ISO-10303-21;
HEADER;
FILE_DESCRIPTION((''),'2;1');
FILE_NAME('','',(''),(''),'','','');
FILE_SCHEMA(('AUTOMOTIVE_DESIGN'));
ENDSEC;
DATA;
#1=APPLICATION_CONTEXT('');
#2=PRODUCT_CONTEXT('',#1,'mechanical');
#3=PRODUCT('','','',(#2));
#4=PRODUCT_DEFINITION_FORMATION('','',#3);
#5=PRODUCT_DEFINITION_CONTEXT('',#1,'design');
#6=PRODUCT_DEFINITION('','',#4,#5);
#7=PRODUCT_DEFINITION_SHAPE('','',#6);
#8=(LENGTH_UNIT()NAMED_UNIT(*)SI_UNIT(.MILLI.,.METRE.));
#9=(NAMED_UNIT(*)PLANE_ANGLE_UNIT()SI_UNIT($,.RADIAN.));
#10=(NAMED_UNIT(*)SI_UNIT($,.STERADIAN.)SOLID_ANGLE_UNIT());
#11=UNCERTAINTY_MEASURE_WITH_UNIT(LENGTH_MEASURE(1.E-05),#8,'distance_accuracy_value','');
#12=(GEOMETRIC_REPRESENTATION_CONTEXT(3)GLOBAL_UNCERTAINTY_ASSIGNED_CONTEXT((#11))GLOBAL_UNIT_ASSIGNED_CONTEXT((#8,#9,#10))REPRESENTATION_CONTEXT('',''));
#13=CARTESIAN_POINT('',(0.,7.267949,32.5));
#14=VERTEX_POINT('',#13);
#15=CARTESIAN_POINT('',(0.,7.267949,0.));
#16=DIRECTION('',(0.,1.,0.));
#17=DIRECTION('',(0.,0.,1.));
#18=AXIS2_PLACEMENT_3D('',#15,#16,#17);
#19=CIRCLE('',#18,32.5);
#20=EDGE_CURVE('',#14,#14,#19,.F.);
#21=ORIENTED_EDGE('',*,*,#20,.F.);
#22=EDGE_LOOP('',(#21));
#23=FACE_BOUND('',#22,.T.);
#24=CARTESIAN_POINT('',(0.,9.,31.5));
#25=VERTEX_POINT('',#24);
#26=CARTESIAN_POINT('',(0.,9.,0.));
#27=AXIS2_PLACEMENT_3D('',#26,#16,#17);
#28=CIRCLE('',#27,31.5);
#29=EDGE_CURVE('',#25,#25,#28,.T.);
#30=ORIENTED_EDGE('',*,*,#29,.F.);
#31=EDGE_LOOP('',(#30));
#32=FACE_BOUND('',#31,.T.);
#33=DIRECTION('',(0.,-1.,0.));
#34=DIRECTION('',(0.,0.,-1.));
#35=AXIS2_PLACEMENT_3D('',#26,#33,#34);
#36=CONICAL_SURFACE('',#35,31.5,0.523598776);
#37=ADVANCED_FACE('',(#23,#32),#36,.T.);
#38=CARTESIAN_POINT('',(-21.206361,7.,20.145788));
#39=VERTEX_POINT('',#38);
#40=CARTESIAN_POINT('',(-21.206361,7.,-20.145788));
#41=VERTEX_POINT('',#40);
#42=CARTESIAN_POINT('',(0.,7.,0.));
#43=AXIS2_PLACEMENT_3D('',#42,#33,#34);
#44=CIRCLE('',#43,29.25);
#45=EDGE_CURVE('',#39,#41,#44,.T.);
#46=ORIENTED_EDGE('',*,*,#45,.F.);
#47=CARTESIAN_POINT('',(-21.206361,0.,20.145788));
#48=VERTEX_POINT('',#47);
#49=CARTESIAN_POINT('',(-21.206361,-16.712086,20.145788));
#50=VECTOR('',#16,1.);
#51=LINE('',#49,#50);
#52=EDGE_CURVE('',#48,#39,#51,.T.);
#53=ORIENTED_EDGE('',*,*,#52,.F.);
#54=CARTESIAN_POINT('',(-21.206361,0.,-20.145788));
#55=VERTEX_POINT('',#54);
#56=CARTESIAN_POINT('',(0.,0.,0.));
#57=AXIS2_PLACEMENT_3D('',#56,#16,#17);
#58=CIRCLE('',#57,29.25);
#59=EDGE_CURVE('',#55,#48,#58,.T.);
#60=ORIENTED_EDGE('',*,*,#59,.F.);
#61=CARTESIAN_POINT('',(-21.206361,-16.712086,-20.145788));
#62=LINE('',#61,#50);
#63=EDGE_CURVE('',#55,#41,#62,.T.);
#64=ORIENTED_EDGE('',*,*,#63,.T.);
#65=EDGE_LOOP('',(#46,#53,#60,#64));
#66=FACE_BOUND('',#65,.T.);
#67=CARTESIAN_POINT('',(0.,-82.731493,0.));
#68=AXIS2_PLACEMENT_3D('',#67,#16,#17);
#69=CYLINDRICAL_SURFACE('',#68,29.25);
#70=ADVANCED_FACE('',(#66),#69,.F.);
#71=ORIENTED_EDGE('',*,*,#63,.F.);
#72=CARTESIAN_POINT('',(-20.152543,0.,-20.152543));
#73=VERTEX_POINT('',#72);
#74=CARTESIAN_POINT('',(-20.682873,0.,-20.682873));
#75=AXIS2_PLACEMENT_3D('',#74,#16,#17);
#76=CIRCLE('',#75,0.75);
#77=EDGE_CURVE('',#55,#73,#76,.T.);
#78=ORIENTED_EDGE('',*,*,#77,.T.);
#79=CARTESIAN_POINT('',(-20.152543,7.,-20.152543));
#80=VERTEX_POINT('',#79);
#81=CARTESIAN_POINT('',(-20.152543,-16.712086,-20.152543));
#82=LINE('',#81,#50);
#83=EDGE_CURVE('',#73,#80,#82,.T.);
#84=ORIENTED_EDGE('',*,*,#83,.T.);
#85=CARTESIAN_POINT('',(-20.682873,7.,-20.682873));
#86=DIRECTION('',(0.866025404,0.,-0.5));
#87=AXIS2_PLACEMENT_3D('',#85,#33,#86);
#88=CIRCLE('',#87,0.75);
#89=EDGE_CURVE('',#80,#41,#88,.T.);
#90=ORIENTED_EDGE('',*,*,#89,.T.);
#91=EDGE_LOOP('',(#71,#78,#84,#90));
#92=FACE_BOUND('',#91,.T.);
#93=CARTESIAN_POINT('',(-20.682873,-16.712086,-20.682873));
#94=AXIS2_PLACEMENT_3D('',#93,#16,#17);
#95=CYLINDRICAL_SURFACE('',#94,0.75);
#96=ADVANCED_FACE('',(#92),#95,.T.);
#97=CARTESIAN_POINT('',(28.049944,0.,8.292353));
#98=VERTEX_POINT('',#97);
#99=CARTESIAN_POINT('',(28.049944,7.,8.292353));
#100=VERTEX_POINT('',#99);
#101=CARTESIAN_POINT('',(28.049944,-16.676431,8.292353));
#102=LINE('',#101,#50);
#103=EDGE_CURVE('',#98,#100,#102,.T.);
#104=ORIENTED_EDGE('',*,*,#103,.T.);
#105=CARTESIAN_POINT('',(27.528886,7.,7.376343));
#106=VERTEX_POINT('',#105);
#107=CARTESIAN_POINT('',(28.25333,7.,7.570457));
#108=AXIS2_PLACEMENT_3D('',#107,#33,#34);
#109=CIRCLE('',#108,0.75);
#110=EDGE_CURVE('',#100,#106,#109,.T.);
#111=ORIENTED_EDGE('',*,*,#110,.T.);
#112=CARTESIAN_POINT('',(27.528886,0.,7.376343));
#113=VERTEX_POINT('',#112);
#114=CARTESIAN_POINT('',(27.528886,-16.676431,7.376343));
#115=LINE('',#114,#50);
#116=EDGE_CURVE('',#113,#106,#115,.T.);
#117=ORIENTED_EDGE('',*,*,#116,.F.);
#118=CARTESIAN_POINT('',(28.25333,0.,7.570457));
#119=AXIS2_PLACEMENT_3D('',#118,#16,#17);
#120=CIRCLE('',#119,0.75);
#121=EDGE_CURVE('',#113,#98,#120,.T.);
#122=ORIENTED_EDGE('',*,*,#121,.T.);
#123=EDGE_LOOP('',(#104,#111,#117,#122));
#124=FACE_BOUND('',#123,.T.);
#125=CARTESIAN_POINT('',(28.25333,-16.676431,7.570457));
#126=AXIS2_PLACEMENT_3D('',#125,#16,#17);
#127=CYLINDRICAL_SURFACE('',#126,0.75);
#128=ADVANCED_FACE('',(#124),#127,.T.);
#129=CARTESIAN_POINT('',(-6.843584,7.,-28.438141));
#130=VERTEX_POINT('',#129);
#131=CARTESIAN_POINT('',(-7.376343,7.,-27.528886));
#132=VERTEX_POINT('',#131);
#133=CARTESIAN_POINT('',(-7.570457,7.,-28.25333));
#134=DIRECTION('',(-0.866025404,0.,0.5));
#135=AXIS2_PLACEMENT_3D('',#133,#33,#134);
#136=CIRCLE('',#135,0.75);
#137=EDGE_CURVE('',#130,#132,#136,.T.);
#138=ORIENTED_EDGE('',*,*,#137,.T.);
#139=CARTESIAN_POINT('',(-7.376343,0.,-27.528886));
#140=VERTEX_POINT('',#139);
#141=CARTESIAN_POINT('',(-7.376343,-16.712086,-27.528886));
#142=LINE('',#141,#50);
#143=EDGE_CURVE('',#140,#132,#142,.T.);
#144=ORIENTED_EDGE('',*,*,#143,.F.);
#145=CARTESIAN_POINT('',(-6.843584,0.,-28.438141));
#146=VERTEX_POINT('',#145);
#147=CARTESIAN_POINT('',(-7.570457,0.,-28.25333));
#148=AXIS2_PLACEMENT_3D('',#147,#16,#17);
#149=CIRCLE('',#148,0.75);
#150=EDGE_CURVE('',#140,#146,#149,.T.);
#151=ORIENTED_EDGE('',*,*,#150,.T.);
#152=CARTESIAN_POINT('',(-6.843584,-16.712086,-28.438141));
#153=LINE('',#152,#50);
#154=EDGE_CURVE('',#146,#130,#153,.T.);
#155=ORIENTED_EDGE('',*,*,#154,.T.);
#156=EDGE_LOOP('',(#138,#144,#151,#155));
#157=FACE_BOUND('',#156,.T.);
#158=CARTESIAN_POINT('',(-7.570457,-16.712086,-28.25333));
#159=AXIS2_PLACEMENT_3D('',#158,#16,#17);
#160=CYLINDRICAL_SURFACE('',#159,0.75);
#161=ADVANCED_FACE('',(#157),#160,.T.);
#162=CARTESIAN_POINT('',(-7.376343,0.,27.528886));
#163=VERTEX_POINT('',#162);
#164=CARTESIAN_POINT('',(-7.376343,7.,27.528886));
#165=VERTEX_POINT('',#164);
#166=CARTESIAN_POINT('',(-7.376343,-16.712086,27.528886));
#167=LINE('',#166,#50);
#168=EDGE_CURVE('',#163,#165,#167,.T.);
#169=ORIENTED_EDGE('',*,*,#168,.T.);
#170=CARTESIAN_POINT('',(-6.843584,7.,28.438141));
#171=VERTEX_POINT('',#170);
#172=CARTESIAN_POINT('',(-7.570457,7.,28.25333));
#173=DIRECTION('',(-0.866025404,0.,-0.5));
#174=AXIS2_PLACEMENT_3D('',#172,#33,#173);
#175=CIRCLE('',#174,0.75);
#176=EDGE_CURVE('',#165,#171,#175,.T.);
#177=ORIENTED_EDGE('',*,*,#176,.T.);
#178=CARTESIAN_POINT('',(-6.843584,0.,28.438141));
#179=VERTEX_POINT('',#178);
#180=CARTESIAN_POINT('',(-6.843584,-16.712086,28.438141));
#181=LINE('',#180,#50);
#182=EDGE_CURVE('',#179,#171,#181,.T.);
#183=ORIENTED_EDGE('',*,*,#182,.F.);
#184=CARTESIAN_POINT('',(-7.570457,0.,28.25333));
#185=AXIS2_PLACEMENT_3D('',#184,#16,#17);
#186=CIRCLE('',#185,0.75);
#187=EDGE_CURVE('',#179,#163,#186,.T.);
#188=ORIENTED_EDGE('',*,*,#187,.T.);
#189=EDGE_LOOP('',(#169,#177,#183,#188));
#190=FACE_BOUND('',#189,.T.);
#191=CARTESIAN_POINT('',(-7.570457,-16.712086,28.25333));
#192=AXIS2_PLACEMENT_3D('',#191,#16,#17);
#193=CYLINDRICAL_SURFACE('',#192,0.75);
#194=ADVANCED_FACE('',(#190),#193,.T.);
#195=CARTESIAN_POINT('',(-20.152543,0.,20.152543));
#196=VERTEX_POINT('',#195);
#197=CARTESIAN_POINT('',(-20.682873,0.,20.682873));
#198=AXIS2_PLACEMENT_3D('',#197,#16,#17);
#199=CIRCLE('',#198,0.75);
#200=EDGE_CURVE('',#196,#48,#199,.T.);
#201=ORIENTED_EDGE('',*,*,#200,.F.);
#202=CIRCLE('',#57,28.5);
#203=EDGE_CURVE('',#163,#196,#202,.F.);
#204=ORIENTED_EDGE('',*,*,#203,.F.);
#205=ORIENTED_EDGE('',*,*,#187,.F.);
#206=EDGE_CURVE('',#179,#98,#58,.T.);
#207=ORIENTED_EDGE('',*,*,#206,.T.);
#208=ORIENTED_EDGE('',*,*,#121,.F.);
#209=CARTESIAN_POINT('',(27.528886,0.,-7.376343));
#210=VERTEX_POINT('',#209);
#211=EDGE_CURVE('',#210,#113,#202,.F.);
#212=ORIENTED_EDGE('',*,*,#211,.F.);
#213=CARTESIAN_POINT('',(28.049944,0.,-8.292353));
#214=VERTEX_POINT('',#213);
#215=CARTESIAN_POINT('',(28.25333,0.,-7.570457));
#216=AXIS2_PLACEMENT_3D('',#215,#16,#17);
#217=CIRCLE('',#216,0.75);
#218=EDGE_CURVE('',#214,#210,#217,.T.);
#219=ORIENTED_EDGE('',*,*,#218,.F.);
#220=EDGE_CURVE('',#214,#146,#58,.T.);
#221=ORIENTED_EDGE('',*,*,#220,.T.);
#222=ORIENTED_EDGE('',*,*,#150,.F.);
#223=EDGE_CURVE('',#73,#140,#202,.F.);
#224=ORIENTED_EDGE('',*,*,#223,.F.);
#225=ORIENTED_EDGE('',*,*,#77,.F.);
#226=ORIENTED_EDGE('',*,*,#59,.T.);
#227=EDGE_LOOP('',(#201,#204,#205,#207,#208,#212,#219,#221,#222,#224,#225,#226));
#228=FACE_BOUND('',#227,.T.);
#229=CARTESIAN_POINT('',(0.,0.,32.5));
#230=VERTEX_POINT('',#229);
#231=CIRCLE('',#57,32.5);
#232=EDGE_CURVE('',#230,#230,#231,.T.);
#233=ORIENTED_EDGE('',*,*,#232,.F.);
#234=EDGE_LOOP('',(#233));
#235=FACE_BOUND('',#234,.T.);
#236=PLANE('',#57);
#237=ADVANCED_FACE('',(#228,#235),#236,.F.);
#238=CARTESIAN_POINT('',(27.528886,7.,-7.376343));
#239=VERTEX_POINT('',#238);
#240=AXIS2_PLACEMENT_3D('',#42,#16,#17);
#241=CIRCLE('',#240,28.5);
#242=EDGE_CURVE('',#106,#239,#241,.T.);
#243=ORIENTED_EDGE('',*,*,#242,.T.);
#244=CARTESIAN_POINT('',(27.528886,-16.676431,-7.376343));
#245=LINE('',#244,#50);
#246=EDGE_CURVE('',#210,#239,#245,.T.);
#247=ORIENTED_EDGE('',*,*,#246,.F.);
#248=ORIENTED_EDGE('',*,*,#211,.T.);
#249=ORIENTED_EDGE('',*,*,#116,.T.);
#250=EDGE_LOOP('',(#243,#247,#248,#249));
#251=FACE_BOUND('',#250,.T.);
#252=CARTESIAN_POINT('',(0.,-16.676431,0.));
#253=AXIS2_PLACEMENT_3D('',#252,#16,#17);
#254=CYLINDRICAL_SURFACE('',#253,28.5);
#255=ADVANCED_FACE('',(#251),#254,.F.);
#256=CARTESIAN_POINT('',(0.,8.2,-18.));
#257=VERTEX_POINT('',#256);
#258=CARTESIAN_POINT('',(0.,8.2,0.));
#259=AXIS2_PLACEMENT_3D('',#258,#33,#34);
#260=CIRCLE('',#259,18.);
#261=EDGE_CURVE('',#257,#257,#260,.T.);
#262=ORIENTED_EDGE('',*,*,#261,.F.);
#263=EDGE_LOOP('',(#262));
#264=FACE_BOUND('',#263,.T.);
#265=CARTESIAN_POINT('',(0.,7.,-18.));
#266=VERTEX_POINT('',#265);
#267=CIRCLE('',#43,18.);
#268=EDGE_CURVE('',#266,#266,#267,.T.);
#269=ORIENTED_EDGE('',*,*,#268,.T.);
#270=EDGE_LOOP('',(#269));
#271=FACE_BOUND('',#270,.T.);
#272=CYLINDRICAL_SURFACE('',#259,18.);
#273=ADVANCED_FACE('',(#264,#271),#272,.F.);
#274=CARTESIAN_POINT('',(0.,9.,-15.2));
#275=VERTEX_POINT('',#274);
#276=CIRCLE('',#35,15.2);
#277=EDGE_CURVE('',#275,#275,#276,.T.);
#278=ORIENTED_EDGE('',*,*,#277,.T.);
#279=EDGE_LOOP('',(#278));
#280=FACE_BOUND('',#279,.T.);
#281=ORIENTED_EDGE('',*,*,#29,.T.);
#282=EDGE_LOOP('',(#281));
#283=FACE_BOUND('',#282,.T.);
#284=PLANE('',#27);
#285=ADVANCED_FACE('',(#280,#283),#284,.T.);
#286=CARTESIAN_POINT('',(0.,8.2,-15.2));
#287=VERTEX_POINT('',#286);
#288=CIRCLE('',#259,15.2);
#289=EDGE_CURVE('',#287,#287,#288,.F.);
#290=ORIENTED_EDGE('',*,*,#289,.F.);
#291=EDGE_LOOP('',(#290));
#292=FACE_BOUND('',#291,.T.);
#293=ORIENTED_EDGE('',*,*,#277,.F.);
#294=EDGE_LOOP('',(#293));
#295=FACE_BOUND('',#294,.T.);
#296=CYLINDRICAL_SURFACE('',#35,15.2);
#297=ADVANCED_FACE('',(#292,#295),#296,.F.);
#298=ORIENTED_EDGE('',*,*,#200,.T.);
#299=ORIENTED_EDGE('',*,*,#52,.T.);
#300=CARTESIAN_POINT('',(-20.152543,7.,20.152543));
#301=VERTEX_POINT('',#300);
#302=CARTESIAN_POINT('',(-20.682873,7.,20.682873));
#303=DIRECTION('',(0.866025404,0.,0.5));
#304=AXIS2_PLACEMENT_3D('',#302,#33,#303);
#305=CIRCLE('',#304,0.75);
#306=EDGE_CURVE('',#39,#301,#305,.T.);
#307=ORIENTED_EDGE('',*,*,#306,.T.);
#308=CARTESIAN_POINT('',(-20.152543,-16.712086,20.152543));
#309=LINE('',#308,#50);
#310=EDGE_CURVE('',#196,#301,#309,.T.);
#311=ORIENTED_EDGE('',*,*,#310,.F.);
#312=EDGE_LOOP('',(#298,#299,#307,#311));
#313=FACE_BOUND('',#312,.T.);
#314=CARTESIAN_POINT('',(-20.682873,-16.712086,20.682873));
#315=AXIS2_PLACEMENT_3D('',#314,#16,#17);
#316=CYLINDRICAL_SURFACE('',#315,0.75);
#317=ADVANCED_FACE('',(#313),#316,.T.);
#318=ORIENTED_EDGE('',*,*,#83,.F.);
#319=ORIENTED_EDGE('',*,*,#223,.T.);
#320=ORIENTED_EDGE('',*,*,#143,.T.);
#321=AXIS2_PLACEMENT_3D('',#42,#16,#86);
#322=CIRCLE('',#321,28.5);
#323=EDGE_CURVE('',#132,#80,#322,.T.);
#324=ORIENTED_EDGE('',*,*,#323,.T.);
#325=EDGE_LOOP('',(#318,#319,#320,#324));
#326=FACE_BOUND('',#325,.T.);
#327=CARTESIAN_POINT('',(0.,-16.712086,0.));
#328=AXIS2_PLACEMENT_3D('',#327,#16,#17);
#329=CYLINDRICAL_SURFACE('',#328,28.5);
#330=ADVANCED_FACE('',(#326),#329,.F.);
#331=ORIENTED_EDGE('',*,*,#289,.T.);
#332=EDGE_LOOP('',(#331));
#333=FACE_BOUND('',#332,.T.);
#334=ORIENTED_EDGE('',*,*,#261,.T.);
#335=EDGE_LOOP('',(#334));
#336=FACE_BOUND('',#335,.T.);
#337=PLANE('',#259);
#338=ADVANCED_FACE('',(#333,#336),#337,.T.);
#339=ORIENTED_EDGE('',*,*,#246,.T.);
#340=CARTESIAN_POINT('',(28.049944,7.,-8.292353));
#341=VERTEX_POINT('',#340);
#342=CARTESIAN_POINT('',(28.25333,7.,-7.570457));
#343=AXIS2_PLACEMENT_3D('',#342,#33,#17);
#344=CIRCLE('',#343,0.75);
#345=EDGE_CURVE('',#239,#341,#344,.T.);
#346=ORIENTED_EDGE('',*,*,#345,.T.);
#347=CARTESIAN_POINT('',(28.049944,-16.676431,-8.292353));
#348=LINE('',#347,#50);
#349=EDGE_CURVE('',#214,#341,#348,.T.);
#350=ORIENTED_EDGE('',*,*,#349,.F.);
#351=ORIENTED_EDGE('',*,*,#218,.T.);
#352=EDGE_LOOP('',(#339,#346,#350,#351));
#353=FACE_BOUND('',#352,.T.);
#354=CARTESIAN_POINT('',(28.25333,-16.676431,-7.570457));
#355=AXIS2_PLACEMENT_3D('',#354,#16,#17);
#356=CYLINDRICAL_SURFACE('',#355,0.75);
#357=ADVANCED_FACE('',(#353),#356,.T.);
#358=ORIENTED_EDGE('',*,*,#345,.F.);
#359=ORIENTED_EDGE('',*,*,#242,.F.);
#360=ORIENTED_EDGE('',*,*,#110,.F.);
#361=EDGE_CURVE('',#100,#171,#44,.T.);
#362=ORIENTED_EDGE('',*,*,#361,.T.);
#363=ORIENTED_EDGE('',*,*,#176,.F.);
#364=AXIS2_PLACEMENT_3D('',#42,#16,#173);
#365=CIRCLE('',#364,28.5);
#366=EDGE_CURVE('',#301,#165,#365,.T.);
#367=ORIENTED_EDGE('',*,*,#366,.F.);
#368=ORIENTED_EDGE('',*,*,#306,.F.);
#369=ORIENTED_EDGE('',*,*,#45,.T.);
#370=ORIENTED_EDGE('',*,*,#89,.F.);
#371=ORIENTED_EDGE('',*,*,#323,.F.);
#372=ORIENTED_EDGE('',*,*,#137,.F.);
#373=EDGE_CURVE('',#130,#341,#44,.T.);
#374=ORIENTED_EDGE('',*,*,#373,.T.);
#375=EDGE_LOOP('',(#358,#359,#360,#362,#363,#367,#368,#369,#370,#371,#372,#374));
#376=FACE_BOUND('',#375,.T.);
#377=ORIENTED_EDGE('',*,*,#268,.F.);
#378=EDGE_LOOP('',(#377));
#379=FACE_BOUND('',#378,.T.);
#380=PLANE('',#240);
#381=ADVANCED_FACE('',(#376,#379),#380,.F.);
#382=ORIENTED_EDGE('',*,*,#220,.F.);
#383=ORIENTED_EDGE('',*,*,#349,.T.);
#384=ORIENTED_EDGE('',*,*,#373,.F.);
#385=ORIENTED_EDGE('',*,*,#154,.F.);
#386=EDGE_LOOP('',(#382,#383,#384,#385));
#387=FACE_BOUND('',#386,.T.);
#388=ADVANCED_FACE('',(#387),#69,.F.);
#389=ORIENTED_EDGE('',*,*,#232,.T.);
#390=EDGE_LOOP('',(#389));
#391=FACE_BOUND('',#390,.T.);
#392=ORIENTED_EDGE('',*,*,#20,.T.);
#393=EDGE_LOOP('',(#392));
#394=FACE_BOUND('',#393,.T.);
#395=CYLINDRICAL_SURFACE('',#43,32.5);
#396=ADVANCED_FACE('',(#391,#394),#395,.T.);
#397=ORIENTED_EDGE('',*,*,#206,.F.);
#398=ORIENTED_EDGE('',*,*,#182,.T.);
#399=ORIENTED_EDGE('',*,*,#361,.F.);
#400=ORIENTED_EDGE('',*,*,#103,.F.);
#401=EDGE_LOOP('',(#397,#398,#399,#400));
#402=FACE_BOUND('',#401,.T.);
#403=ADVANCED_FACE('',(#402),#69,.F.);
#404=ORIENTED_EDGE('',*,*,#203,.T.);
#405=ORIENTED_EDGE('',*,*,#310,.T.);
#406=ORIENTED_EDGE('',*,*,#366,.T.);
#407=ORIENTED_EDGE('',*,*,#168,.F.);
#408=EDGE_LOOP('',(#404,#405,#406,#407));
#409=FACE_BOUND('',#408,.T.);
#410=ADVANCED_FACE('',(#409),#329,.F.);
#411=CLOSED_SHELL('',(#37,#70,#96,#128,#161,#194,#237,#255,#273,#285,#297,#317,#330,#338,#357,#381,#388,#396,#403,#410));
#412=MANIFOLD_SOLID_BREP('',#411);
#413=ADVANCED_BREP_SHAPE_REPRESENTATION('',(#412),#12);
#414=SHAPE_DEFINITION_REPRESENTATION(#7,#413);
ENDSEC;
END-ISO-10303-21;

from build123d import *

# Parameters (mm, degrees)
SKETCH_1_R               = 32.5
SKETCH_1_R_2             = 28.5
EXTRUDE_1_DEPTH          = 7
SKETCH_2_R               = 32.5
EXTRUDE_2_DEPTH          = 2
SKETCH_3_R               = 29.25
CUT_EXTRUDE_1_DEPTH      = 7
EXTRUDE_3_DEPTH          = 7
PATTERN_CIRCULAR_1_COUNT = 3
CHAMFER_1_SIZE           = 1
CHAMFER_1_SIZE2          = 1.732050808
SKETCH_5_R               = 15.2
CUT_EXTRUDE_2_DEPTH      = 47.491934784
SKETCH_6_R               = 18
CUT_EXTRUDE_3_DEPTH      = 1.2


with BuildPart() as part:
    # 草图1 → 凸台-拉伸1 (new body)
    with BuildSketch(Plane(origin=(0, 0, 0), x_dir=(1, 0, 0), z_dir=(0, 1, 0))):
        with Locations(Location((0, 0, 0), (0, 0, 270))):
            Circle(SKETCH_1_R)
        with Locations(Location((0, 0, 0), (0, 0, 270))):
            Circle(SKETCH_1_R_2, mode=Mode.SUBTRACT)
    extrude(amount=EXTRUDE_1_DEPTH)

    # 草图2 → 凸台-拉伸2 (add)
    with BuildSketch(Plane(origin=(0, 7, 0), x_dir=(1, 0, 0), z_dir=(0, 1, 0))):
        with Locations(Location((0, 0, 0), (0, 0, 270))):
            Circle(SKETCH_2_R)
    extrude(amount=EXTRUDE_2_DEPTH)

    # 草图3 → 切除-拉伸1 (cut)
    with BuildSketch(Plane.XZ.offset(-7)):
        with Locations(Location((0, 0, 0), (0, 0, 90))):
            Circle(SKETCH_3_R)
    extrude(amount=CUT_EXTRUDE_1_DEPTH, mode=Mode.SUBTRACT)

    # 草图4 → 凸台-拉伸3 (add)
    with BuildSketch(Plane.XZ.offset(-7)):
        with BuildLine():
            ThreePointArc((28.04994434, -8.292353255), (27.601420816, -7.941285695), (27.528886049, -7.376342785))
            ThreePointArc((27.528886049, -7.376342785), (28.5, 0), (27.528886049, 7.376342785))
            ThreePointArc((27.528886049, 7.376342785), (27.601420816, 7.941285695), (28.04994434, 8.292353255))
            ThreePointArc((28.04994434, 8.292353255), (29.25, 0), (28.04994434, -8.292353255))
        make_face()
    extrude_3 = extrude(amount=EXTRUDE_3_DEPTH)

    # 阵列(圆周)1: 凸台-拉伸3 ×3 about axis
    pattern_circular_1_axis = Axis((0, 0, 0), (0, 1, 0))
    for i in range(1, PATTERN_CIRCULAR_1_COUNT):
        add(extrude_3.rotate(pattern_circular_1_axis, i * 360 / PATTERN_CIRCULAR_1_COUNT))

    # 倒角1
    chamfer_1_edges = [part.edges().sort_by_distance(p)[0] for p in [
        (0, 9, -32.5),
    ]]
    chamfer_1_side = [part.faces().sort_by_distance(p)[0] for p in [
        (0, 9, 0),
    ]]
    chamfer(chamfer_1_edges, length=CHAMFER_1_SIZE, length2=CHAMFER_1_SIZE2, reference=chamfer_1_side[0])

    # 草图5 → 切除-拉伸2 (cut, through all)
    with BuildSketch(Plane.XZ.offset(-7)):
        with Locations(Location((0, 0, 0), (0, 0, 270))):
            Circle(SKETCH_5_R)
    extrude(amount=-CUT_EXTRUDE_2_DEPTH, mode=Mode.SUBTRACT)

    # 草图6 → 切除-拉伸3 (cut)
    with BuildSketch(Plane.XZ.offset(-7)):
        with Locations(Location((0, 0, 0), (0, 0, 270))):
            Circle(SKETCH_6_R)
    extrude(amount=-CUT_EXTRUDE_3_DEPTH, mode=Mode.SUBTRACT)


solid = part.part
